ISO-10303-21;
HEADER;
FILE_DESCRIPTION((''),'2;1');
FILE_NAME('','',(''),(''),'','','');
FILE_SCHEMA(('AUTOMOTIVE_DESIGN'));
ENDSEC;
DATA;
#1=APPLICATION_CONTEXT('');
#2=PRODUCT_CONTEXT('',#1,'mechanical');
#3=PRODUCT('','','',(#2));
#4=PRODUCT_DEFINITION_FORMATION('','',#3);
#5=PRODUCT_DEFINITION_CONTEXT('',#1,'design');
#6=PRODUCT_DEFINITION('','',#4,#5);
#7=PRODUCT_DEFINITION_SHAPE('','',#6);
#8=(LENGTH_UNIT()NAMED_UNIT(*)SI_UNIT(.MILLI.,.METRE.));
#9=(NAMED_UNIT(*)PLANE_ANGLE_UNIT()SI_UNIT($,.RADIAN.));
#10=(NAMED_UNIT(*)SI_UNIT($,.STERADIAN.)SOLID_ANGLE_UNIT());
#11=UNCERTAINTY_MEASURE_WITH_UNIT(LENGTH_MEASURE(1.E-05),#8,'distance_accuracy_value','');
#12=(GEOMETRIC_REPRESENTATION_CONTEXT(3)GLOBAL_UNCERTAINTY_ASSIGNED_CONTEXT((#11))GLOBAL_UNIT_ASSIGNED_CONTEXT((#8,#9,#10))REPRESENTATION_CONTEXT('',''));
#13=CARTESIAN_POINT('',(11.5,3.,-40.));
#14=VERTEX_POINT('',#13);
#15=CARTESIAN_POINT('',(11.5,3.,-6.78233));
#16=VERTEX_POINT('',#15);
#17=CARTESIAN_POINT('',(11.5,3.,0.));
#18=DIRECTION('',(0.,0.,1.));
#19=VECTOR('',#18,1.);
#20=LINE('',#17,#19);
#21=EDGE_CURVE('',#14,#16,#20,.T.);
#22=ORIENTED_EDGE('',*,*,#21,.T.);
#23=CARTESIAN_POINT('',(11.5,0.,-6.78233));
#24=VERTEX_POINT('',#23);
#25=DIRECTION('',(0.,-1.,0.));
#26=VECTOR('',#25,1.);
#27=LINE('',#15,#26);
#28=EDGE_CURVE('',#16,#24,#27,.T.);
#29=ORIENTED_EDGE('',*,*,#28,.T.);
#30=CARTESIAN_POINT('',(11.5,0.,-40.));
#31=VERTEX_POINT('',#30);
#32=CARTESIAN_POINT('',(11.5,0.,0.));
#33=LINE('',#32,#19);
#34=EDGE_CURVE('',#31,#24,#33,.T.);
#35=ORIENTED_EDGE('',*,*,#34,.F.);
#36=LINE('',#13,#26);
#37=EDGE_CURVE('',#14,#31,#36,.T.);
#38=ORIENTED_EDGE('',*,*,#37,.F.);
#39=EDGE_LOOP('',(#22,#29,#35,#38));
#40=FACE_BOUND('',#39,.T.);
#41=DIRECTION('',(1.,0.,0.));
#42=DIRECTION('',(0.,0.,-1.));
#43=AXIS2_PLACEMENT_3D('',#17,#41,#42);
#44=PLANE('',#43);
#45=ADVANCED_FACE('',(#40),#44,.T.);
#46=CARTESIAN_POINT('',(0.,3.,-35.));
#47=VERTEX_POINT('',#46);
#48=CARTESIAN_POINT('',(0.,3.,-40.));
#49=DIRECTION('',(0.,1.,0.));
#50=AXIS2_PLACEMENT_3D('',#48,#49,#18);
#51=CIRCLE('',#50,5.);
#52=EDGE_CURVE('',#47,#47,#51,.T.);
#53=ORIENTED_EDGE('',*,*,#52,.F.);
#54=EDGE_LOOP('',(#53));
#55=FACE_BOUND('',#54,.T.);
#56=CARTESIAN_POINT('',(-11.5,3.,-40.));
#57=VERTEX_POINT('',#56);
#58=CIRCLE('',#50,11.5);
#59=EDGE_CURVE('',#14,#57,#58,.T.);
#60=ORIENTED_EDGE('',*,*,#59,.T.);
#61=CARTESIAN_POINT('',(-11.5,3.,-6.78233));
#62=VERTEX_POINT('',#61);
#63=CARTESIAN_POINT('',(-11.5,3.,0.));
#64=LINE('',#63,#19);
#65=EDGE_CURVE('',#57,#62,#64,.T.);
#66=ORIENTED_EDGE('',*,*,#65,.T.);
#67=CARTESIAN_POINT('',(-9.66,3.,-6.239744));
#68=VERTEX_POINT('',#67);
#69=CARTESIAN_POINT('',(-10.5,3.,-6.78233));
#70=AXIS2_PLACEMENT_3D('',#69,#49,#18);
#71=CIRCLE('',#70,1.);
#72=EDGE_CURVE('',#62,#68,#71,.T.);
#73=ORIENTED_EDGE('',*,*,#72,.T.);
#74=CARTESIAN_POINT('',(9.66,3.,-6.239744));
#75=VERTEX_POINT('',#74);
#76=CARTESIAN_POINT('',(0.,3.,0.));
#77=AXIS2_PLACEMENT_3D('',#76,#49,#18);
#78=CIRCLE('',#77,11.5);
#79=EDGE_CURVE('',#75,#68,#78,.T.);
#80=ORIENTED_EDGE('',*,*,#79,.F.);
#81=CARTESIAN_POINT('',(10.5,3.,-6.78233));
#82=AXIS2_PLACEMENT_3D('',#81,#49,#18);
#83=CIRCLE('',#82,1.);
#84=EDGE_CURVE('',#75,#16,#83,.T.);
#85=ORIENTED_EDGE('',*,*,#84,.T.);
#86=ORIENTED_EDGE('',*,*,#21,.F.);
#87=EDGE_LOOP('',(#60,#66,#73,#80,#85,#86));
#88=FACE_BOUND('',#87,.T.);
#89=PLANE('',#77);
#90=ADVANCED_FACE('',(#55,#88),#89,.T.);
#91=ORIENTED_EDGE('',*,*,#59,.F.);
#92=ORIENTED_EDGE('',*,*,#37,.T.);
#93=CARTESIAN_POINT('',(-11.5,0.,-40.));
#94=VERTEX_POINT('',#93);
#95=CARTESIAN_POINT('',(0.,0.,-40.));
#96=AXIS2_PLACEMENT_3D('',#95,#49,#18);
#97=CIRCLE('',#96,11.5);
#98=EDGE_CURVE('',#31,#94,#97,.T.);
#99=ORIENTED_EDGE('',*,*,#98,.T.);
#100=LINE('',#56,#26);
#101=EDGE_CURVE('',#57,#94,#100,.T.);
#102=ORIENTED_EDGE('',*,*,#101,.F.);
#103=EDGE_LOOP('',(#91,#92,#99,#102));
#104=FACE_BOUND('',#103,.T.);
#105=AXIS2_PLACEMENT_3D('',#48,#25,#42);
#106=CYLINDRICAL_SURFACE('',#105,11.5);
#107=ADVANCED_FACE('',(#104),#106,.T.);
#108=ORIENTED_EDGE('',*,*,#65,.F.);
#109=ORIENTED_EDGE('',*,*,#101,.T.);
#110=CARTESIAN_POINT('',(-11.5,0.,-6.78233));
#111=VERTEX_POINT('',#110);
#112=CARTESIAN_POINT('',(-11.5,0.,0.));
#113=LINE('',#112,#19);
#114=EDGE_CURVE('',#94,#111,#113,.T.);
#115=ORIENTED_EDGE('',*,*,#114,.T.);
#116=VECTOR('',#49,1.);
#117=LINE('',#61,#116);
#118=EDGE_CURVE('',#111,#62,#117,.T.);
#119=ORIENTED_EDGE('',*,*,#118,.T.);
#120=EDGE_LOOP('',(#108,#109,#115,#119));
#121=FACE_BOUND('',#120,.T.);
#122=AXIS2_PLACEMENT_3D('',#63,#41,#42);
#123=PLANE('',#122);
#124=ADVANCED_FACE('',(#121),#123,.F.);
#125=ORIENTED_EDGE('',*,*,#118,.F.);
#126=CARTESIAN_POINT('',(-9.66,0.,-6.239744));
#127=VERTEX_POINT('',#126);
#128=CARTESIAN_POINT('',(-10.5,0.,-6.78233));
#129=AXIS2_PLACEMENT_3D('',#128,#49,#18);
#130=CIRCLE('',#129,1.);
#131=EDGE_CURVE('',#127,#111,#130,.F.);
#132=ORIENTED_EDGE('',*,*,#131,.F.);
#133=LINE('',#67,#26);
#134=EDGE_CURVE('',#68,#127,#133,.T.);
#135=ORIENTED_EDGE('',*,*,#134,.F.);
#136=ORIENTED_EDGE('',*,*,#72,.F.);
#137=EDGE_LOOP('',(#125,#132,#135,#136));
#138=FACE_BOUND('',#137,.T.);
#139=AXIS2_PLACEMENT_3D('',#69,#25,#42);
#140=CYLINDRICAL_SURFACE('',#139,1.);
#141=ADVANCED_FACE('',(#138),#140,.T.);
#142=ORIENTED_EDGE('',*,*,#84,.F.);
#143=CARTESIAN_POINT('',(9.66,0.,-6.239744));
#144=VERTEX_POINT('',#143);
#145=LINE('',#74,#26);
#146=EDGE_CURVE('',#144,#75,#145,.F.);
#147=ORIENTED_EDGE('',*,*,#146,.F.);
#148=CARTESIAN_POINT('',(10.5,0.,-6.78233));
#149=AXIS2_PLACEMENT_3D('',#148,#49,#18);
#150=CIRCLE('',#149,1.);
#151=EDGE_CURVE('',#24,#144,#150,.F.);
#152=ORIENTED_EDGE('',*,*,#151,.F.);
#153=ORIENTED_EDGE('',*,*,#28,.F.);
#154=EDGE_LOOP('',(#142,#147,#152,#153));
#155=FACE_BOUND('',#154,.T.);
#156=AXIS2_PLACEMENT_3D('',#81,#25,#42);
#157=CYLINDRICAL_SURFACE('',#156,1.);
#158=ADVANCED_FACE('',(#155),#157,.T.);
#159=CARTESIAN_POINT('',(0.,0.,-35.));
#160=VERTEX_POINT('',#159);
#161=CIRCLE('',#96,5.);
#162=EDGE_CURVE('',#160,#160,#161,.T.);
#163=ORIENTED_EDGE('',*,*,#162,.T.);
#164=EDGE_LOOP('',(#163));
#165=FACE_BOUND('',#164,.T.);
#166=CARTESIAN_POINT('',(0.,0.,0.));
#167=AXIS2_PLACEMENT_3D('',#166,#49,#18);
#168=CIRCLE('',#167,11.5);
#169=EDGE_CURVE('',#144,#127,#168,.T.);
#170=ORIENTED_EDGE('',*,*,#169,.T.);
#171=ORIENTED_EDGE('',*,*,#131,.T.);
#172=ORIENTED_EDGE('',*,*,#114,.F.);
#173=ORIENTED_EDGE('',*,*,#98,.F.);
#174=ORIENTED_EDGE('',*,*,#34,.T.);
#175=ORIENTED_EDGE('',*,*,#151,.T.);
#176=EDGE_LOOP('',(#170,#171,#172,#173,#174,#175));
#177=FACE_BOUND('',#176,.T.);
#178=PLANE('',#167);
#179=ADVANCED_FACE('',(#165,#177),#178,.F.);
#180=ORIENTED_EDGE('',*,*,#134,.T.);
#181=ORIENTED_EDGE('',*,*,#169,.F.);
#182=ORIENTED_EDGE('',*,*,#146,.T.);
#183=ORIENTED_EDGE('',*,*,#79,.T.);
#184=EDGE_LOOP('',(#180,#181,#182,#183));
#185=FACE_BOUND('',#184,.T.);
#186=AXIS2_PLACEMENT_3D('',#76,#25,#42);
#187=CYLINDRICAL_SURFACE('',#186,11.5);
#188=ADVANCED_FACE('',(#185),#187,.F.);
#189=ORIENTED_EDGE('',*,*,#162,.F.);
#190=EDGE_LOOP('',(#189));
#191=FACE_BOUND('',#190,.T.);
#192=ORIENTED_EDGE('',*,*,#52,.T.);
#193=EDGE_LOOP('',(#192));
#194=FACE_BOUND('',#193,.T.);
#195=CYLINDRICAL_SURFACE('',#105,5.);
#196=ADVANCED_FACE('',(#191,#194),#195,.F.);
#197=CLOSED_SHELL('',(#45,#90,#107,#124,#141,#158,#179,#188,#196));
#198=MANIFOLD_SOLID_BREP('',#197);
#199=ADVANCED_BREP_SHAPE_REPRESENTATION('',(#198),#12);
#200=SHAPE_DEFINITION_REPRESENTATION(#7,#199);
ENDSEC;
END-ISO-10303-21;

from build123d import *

# Parameters (mm, degrees)
SKETCH1_R           = 11.500000000000005
SKETCH1_R_2         = 5
BOSS_EXTRUDE1_DEPTH = 3
FILLET1_R           = 1


with BuildPart() as part:
    # Sketch1 → Boss-Extrude1 (new body)
    # profile 1 of 2: a face of its own
    with BuildSketch(Plane(origin=(0, 0, 0), x_dir=(1, 0, 0), z_dir=(0, 1, 0))):
        with BuildLine():
            ThreePointArc((11.500000000000005, 40), (-2.11e-15, 28.499999999999993), (-11.500000000000005, 40))
            Line((-11.500000000000002, 40), (-11.5, 0))
            ThreePointArc((-11.5, 1.41e-15), (7e-16, 11.5), (11.5, 0))
            Line((11.5, 0), (11.500000000000002, 40))
        make_face()
    # profile 2 of 2: a face of its own
    with BuildSketch(Plane(origin=(0, 0, 0), x_dir=(1, 0, 0), z_dir=(0, 1, 0))):
        with Locations((0, 40)):
            Circle(SKETCH1_R)
        with Locations(Location((0, 40, 0), (0, 0, 270))):
            Circle(SKETCH1_R_2, mode=Mode.SUBTRACT)
    extrude(amount=BOSS_EXTRUDE1_DEPTH)

    # Fillet1
    fillet1_edges = [part.edges().sort_by_distance(p)[0] for p in [
        (11.5, 1.5, -1.22e-15),
        (-11.5, 1.5, -7e-16),
    ]]
    fillet(fillet1_edges, radius=FILLET1_R)


solid = part.part
